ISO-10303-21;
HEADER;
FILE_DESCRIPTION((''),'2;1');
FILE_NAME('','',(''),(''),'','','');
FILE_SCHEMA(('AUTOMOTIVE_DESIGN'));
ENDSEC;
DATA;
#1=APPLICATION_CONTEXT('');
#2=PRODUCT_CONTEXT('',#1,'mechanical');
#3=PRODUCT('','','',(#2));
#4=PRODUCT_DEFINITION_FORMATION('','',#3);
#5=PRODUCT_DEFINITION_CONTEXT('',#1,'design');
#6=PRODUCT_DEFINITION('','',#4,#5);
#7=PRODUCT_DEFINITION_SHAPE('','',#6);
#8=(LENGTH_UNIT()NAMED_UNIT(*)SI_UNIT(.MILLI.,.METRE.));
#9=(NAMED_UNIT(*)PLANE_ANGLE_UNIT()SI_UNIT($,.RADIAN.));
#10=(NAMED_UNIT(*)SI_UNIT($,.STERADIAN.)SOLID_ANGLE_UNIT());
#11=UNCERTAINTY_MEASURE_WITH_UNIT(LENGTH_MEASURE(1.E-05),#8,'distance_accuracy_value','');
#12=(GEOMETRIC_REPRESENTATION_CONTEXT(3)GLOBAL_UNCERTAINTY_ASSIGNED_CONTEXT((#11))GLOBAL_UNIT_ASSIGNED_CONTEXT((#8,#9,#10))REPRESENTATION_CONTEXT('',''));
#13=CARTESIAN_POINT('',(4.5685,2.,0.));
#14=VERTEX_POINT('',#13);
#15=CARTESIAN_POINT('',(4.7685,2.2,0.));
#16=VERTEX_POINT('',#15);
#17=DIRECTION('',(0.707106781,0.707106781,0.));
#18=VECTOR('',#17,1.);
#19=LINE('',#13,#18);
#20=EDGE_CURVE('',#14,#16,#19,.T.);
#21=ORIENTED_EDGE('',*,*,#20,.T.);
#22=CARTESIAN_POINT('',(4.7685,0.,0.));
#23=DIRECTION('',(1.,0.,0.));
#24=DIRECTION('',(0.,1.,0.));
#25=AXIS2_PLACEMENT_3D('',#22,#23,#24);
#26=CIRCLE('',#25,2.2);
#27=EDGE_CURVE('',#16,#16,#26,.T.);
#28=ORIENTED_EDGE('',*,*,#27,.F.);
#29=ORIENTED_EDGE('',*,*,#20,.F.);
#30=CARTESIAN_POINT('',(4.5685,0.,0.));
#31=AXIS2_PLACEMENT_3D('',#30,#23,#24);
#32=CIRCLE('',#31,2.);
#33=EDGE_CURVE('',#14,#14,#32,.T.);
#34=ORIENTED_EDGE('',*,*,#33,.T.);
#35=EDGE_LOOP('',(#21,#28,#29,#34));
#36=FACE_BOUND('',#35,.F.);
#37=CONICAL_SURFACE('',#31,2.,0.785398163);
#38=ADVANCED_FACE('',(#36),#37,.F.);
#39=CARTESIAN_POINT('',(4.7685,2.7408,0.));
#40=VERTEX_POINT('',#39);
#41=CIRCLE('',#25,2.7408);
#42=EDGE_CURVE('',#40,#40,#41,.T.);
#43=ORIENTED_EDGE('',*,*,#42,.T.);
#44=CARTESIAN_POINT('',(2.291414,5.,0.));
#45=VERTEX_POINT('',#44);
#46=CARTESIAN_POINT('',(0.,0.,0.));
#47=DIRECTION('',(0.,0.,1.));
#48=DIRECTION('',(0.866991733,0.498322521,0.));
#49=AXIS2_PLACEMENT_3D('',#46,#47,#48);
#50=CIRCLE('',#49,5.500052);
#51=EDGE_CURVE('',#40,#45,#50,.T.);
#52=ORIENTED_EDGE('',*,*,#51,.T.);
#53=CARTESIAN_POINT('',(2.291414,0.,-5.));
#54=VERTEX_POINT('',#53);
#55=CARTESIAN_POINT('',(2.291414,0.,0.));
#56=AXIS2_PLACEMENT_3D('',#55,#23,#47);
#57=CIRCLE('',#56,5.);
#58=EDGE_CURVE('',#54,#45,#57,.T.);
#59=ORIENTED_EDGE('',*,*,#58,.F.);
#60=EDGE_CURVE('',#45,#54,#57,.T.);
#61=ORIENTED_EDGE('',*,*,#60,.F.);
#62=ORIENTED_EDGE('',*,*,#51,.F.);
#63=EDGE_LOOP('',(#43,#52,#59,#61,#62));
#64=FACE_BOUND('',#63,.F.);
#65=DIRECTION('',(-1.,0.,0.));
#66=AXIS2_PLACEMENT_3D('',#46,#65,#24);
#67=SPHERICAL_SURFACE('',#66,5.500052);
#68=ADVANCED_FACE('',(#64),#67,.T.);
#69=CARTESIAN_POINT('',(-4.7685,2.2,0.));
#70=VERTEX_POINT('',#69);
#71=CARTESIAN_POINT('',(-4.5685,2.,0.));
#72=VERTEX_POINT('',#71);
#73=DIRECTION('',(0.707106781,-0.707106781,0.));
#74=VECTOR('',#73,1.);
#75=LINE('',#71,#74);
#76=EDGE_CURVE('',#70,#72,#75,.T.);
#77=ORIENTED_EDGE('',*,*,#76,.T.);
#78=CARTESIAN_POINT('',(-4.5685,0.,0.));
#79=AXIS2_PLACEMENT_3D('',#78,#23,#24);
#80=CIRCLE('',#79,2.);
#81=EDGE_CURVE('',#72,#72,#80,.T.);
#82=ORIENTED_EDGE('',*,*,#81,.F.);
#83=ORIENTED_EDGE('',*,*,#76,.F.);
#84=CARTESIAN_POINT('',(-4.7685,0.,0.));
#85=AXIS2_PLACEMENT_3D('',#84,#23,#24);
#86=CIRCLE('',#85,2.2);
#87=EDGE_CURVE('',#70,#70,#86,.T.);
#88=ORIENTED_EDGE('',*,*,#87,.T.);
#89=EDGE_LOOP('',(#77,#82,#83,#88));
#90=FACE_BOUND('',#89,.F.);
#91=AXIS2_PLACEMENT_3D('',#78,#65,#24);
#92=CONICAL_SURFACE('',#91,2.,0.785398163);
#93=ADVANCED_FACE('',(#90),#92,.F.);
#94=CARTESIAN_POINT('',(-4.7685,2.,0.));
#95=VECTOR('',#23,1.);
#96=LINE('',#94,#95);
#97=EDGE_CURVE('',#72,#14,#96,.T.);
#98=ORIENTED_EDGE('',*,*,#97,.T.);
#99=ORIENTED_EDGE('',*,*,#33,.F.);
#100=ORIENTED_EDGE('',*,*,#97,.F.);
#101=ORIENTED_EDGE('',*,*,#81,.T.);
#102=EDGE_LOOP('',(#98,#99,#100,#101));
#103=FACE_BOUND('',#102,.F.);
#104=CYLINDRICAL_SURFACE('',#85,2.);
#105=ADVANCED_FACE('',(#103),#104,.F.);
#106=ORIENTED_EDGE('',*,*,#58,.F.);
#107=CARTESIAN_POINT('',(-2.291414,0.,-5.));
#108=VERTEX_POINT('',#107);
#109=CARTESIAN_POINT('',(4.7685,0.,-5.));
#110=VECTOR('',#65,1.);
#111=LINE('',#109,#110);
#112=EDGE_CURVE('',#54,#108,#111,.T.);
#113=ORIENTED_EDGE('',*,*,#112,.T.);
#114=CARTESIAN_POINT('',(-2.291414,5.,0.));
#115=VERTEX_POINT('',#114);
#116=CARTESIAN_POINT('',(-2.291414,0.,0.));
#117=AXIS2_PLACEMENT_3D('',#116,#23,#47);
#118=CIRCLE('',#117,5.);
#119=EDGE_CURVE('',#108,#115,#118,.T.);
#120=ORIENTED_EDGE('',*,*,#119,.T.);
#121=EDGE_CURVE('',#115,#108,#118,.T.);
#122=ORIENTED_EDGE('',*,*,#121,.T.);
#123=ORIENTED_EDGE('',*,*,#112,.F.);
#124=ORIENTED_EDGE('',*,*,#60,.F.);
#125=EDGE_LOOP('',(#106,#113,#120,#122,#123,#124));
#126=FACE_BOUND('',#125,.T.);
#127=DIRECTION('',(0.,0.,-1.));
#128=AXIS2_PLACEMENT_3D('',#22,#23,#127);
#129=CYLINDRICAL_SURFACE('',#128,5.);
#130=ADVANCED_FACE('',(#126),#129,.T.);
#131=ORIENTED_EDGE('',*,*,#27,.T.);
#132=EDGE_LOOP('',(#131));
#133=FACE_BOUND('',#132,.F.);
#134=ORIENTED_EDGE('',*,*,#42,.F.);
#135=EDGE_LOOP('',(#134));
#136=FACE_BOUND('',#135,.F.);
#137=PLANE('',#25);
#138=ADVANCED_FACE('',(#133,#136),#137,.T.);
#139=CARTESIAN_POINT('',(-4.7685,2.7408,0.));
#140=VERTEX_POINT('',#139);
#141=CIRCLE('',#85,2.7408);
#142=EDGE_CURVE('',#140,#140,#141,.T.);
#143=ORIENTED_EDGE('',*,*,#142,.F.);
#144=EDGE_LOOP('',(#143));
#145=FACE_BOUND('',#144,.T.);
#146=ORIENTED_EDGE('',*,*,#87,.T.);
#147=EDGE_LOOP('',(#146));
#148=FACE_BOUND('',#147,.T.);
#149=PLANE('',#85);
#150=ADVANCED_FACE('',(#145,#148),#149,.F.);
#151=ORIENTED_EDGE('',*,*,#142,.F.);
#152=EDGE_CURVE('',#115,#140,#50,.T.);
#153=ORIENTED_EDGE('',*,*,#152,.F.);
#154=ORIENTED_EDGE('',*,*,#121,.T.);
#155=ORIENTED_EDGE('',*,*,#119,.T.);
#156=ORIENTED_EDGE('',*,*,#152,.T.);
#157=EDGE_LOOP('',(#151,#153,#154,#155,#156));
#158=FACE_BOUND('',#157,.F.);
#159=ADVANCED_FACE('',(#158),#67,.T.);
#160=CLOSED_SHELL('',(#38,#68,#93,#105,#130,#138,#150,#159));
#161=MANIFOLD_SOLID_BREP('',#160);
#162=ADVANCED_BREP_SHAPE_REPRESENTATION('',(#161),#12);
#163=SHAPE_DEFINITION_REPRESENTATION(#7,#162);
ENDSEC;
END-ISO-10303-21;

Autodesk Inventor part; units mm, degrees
ref_plane "YZ Plane" through (0, 0, 0) normal (1, 0, 0) x (0, 1, 0)
ref_plane "XZ Plane" through (0, 0, 0) normal (0, 1, 0) x (-1, 0, 0)
ref_plane "XY Plane" through (0, 0, 0) normal (0, 0, 1) x (1, 0, 0)
sketch "Sketch1" plane through (0, 0, 0) normal (0, 0, 1) x (1, 0, 0)
  line L0 (-4.7685, 2) -> (4.7685, 2)
  line L1 (4.7685, 2) -> (4.7685, 2.7408)
  line L2 (-4.7685, 2) -> (-4.7685, 2.7408)
  line L3 (0, 0) -> (2.529, 0)
  arc A0 (4.7685, 2.7408) -> (-4.7685, 2.7408) centre (0, 0) ccw
  dimension "d1" = 2
  dimension "d8" = 11
revolve "Revolution1" add sketch "Sketch1" angle 360 about axis through (0, 0, 0) along (1, 0, 0)
sketch "Sketch2" plane through (4.7685, 0, 0) normal (1, 0, 0) x (0, 0, -1)
  circle A0 centre (0, 0) radius 6
  circle A1 centre (0, 0) radius 2 projected
  circle A2 centre (0, 0) radius 5
  dimension "d5" = 10
extrude "Extrusion1" cut sketch "Sketch2" against normal blind 10 contours A0
chamfer "Chamfer1" distance 0.2 angle 45 2 edges at (4.7685, -2, 0) (-4.7685, -2, 0)
equation "\"BendRadius\" = Thickness"
equation "\"BendReliefWidth\" = Thickness"
equation "\"BendReliefDepth\" = 0.5 * Thickness"
equation "\"CornerReliefSize\" = 4 * Thickness"
equation "\"MinimumRemnant\" = 2 * Thickness"
equation "\"TransitionRadius\" = BendRadius"
equation "\"JacobiRadiusSize\" = BendRadius"
equation "\"GapSize\" = Thickness"
equation "\"Thickness\" = 0.5"
properties part number "mắt trâu"
